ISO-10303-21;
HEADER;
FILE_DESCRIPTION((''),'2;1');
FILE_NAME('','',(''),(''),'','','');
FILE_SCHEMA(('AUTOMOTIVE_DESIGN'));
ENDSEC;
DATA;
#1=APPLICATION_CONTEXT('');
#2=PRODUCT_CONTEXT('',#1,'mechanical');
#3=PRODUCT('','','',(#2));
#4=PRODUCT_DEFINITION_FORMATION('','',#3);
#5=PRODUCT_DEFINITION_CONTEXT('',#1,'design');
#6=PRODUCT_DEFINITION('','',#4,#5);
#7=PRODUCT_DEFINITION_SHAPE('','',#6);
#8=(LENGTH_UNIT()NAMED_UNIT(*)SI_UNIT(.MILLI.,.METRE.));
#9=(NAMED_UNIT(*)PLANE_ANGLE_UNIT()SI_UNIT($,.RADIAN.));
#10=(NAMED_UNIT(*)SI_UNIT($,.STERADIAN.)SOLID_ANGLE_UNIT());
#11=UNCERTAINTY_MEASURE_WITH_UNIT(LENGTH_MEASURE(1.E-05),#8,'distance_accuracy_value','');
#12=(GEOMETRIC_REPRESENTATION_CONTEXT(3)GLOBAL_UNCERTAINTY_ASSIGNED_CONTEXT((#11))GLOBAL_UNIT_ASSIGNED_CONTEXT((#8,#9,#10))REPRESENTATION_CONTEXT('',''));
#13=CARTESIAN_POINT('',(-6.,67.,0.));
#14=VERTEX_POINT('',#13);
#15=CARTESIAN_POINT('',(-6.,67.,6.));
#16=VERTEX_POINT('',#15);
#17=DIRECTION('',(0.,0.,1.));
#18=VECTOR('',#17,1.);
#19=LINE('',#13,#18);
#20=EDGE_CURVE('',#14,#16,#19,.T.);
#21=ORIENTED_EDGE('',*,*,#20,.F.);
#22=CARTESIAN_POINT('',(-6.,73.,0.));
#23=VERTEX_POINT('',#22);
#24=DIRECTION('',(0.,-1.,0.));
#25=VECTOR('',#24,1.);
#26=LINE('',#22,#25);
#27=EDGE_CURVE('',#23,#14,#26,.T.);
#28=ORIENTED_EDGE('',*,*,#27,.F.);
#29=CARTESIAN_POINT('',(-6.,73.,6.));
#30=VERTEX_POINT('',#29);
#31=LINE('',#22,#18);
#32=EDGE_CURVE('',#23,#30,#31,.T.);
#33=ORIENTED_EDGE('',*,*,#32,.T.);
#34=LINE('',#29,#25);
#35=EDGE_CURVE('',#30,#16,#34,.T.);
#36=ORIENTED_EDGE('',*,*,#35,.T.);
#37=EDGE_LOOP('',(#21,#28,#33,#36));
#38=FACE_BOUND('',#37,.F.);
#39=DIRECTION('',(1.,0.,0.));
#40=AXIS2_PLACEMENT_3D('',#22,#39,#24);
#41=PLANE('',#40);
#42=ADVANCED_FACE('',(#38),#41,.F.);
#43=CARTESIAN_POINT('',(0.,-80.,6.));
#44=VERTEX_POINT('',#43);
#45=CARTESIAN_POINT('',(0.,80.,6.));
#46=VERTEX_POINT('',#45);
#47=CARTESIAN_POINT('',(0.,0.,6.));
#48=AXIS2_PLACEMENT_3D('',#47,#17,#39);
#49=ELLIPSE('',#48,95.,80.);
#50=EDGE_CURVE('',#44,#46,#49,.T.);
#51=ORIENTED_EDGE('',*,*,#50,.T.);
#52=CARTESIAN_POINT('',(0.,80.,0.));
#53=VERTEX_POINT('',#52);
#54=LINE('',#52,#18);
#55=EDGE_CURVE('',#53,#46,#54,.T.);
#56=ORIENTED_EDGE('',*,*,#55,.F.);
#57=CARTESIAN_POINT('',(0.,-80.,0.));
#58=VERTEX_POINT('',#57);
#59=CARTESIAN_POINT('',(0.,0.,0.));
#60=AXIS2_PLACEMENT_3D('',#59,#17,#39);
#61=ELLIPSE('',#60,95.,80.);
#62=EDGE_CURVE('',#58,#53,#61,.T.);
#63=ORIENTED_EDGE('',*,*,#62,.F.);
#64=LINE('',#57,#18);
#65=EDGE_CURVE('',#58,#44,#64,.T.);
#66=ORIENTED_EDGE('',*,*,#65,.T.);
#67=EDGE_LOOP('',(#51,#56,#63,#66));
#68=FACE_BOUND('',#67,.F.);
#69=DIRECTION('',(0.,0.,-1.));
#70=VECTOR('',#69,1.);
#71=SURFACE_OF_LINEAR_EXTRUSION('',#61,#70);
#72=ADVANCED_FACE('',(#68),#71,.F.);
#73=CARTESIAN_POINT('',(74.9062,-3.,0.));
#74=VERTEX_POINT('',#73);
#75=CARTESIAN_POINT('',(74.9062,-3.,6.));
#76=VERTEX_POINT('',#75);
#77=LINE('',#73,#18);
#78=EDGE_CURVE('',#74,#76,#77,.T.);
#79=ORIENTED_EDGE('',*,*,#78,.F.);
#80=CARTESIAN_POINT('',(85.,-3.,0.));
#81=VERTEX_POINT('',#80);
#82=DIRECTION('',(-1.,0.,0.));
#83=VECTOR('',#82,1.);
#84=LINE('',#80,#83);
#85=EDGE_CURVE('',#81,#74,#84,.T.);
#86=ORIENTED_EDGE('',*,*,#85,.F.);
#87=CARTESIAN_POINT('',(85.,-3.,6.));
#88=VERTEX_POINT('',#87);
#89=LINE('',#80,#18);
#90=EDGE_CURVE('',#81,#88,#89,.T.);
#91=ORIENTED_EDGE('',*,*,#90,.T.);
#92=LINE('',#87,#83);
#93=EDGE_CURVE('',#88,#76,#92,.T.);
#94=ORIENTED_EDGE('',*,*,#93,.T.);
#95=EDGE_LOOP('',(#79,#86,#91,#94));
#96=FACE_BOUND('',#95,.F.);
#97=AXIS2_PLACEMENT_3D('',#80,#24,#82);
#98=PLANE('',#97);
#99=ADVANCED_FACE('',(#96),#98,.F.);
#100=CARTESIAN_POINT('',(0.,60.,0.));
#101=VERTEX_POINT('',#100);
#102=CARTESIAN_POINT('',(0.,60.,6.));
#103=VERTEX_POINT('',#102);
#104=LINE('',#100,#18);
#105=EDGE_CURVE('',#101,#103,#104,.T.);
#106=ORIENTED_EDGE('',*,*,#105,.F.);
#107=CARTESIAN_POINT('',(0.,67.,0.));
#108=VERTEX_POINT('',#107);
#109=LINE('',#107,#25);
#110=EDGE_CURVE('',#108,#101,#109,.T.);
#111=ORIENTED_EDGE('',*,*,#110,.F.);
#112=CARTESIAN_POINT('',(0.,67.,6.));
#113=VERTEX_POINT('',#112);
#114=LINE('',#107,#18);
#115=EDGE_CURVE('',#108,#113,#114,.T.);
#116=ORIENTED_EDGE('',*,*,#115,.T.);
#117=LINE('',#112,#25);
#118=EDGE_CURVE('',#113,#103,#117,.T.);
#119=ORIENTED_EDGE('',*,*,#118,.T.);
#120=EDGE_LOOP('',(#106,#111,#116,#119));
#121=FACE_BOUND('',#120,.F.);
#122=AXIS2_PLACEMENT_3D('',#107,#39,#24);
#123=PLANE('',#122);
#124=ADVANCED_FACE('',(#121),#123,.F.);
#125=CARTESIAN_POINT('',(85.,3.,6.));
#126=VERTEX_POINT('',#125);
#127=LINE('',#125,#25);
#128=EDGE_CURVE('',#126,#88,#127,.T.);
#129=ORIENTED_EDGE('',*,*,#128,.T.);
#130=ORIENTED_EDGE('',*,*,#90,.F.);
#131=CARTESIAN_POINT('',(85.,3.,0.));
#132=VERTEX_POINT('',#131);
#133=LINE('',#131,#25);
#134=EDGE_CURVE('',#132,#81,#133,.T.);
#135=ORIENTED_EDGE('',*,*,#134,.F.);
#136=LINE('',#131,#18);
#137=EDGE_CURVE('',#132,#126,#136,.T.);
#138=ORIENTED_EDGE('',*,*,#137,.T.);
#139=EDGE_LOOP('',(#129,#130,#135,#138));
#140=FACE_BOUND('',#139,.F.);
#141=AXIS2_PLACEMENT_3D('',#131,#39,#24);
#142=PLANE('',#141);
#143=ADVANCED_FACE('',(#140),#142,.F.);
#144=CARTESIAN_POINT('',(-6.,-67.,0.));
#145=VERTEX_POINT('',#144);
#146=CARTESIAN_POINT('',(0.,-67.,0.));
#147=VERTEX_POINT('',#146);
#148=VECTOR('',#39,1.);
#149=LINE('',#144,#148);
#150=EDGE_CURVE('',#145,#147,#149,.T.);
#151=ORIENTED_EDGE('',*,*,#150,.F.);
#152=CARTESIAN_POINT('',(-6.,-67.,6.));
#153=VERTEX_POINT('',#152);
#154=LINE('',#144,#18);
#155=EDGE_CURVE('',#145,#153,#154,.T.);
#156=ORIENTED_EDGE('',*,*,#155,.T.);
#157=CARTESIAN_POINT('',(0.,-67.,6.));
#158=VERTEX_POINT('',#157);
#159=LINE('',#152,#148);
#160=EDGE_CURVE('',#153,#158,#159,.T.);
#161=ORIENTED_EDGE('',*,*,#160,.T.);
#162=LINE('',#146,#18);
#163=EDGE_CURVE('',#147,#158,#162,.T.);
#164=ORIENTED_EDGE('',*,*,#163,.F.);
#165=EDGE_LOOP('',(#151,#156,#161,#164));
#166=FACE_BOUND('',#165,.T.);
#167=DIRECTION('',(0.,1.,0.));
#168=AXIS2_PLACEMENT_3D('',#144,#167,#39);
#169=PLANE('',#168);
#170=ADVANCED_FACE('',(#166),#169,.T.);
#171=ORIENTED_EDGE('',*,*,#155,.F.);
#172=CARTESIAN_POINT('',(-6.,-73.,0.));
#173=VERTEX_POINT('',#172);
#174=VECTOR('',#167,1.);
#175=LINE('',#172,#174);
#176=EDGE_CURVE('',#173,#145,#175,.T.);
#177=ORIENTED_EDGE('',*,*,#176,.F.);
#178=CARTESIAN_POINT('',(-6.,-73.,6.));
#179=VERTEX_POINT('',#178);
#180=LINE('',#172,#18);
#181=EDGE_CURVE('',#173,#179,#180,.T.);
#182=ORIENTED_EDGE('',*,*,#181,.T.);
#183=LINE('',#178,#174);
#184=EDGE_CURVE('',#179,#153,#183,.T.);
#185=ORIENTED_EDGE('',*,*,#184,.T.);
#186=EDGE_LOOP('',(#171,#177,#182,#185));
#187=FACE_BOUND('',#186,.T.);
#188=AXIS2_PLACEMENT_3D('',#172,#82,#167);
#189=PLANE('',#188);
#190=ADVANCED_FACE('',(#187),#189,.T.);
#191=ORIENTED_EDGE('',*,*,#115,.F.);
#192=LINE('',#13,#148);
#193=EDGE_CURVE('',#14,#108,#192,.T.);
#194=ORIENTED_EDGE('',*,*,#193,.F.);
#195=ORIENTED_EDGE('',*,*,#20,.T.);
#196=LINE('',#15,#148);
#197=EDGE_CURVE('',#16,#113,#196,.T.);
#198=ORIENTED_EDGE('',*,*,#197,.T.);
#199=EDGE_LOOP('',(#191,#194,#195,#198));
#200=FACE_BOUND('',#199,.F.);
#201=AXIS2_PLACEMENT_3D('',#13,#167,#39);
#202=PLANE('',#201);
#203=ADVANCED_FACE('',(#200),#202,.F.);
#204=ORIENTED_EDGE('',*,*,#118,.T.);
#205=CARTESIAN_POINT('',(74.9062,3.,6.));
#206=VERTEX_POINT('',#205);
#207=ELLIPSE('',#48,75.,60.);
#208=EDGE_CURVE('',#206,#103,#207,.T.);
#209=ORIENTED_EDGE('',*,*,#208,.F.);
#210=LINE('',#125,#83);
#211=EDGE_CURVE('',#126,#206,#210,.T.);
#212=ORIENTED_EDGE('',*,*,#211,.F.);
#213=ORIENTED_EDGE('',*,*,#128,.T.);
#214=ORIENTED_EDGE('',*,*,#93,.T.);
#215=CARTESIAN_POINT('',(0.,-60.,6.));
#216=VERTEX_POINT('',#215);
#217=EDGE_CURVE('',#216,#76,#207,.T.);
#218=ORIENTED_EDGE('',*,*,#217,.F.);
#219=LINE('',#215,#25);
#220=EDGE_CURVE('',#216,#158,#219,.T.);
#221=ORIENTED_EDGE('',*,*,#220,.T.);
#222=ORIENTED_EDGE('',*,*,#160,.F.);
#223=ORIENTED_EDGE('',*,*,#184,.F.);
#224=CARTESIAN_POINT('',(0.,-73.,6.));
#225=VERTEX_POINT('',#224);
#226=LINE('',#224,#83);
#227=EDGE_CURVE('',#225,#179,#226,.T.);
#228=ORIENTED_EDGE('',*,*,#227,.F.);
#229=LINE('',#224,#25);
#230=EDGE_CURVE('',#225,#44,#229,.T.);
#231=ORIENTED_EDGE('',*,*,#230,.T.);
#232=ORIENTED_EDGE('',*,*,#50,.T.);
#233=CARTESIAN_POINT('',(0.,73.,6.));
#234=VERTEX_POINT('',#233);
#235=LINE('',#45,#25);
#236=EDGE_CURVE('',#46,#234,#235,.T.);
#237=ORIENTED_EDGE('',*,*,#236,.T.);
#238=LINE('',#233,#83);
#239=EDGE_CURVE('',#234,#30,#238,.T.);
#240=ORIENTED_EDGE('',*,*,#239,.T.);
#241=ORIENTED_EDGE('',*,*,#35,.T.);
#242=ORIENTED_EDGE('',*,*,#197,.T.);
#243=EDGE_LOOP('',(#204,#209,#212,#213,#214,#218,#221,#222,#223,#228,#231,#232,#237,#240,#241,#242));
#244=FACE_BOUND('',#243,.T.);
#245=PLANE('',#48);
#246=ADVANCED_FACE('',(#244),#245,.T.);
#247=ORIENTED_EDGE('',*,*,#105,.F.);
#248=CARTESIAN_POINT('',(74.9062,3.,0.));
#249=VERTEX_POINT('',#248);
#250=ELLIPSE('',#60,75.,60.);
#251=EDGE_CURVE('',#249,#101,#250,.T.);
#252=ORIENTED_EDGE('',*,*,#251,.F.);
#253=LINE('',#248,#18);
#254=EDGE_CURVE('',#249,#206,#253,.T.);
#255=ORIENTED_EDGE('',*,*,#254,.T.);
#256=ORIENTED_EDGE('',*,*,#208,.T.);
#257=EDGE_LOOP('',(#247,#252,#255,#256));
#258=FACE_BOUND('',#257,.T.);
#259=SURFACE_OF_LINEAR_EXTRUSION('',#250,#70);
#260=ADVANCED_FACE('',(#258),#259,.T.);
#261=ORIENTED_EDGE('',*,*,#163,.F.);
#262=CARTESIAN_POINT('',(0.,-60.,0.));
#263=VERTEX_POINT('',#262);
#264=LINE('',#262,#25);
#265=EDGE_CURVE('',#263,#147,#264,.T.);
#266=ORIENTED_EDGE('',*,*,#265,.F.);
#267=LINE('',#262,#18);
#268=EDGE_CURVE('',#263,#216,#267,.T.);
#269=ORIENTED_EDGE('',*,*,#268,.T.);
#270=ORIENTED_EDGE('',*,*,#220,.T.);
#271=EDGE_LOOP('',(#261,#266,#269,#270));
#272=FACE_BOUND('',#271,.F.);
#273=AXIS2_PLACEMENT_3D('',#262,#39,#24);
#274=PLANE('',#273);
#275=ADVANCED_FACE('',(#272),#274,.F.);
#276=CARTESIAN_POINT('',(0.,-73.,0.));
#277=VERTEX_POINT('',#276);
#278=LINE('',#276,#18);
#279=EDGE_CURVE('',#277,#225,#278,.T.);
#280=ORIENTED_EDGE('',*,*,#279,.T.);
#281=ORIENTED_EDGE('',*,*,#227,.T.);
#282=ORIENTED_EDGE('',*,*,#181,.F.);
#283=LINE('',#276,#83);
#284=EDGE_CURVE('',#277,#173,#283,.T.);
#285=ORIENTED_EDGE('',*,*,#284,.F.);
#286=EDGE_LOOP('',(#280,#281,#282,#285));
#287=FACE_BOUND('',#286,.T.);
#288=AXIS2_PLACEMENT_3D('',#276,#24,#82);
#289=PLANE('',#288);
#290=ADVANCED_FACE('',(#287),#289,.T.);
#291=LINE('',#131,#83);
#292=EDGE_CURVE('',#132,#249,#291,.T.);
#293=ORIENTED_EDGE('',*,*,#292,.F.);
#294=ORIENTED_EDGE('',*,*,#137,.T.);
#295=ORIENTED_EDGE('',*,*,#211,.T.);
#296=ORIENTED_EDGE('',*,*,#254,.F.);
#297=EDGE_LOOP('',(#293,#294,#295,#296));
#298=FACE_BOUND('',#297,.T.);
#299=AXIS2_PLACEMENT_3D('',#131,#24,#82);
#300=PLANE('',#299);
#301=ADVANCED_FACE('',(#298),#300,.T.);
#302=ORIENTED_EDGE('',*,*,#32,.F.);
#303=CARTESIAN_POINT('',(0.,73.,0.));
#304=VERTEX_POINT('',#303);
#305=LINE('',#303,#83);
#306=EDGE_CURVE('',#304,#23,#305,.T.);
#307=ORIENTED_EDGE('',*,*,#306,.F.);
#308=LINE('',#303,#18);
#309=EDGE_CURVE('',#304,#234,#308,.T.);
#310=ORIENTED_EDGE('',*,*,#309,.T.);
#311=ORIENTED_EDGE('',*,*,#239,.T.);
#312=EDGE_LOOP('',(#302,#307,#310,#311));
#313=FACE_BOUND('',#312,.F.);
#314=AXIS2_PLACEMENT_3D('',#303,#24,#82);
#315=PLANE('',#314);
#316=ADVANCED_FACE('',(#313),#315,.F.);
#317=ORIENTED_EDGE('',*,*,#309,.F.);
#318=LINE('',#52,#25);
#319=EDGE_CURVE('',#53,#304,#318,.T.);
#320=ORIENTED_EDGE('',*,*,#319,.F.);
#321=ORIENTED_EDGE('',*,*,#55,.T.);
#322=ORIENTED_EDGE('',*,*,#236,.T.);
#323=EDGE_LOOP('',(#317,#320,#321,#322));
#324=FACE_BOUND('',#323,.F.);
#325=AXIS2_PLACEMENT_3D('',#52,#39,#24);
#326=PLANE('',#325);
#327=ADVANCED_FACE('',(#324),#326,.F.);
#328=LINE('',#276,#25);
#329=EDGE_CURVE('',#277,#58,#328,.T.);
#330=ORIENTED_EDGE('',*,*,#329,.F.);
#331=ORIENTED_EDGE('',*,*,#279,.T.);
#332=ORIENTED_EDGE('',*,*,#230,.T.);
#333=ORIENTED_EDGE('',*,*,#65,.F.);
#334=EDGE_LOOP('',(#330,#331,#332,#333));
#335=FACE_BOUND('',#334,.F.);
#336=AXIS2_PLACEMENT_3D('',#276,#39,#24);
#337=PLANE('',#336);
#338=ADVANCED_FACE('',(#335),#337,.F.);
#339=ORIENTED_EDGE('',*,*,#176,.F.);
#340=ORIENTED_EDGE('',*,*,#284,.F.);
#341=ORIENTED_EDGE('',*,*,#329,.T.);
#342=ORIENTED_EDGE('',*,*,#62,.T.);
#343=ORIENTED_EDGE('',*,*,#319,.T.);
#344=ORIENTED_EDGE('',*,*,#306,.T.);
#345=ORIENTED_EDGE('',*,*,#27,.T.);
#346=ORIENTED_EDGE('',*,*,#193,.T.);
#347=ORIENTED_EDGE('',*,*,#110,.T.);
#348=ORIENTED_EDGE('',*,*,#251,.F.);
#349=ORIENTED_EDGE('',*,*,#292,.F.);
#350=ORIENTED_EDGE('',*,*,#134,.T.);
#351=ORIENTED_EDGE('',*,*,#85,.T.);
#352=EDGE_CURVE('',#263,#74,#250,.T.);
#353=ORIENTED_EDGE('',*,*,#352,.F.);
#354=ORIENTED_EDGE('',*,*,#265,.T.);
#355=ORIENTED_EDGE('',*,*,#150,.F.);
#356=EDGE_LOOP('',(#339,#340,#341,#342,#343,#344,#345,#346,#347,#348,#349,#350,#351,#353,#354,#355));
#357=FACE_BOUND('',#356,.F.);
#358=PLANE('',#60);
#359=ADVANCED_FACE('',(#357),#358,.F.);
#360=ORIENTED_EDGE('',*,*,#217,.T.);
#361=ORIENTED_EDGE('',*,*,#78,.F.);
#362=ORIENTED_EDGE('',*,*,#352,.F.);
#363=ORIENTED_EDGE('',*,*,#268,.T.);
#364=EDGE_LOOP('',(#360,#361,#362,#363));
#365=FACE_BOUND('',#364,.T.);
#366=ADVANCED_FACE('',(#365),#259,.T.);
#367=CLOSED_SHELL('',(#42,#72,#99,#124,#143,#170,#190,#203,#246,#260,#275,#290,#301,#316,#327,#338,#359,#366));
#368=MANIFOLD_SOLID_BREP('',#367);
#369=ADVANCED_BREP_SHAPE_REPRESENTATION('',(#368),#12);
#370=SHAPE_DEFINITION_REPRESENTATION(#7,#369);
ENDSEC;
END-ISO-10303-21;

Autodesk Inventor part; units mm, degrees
ref_plane "YZ Plane" through (0, 0, 0) normal (1, 0, 0) x (0, 1, 0)
ref_plane "XZ Plane" through (0, 0, 0) normal (0, 1, 0) x (-1, 0, 0)
ref_plane "XY Plane" through (0, 0, 0) normal (0, 0, 1) x (1, 0, 0)
sketch "Sketch1" plane through (0, 0, 0) normal (0, 0, 1) x (1, 0, 0)
  ellipse E0 centre (0, 0) end of major axis (95, 0) minor radius 80 (0, -80) -> (0, 80) ccw
  ellipse E1 centre (0, 0) end of major axis (75, 0) minor radius 60 (0, -60) -> (0, 60) ccw
  line L0 (0, 80) -> (0, 73)
  line L1 (0, 73) -> (-6, 73)
  line L2 (-6, 73) -> (-6, 67)
  line L3 (-6, 67) -> (0, 67)
  line L4 (0, 67) -> (0, 60)
  line L5 (75, 0) -> (95, 0) construction
  line L6 (0, -73) -> (-6, -73)
  line L7 (-6, -73) -> (-6, -67)
  line L8 (-6, -67) -> (0, -67)
  line L9 (0, -60) -> (0, -67)
  line L10 (0, -73) -> (0, -80)
  line L11 (85, -35.7275) -> (85, 35.7275) construction
  line L12 (85, 3) -> (85, -3)
  line L13 (85, 3) -> (74.9062, 3)
  line L14 (85, -3) -> (74.9062, -3)
  point P0 (85, 0)
  dimension "d0" = 80
  dimension "d2" = 75
  dimension "d3" = 60
  dimension "d4" = 95
  dimension "d6" = 6
  dimension "d7" = 6
extrude "Extrusion1" add sketch "Sketch1" along normal blind 6 contours L10 L6 L7 L8 L9 E1 L14 L12 L13 L4 L3 L2 L1 L0 E0
properties part number "Arch Rear Outer" material "Plywood, Sheathing"
